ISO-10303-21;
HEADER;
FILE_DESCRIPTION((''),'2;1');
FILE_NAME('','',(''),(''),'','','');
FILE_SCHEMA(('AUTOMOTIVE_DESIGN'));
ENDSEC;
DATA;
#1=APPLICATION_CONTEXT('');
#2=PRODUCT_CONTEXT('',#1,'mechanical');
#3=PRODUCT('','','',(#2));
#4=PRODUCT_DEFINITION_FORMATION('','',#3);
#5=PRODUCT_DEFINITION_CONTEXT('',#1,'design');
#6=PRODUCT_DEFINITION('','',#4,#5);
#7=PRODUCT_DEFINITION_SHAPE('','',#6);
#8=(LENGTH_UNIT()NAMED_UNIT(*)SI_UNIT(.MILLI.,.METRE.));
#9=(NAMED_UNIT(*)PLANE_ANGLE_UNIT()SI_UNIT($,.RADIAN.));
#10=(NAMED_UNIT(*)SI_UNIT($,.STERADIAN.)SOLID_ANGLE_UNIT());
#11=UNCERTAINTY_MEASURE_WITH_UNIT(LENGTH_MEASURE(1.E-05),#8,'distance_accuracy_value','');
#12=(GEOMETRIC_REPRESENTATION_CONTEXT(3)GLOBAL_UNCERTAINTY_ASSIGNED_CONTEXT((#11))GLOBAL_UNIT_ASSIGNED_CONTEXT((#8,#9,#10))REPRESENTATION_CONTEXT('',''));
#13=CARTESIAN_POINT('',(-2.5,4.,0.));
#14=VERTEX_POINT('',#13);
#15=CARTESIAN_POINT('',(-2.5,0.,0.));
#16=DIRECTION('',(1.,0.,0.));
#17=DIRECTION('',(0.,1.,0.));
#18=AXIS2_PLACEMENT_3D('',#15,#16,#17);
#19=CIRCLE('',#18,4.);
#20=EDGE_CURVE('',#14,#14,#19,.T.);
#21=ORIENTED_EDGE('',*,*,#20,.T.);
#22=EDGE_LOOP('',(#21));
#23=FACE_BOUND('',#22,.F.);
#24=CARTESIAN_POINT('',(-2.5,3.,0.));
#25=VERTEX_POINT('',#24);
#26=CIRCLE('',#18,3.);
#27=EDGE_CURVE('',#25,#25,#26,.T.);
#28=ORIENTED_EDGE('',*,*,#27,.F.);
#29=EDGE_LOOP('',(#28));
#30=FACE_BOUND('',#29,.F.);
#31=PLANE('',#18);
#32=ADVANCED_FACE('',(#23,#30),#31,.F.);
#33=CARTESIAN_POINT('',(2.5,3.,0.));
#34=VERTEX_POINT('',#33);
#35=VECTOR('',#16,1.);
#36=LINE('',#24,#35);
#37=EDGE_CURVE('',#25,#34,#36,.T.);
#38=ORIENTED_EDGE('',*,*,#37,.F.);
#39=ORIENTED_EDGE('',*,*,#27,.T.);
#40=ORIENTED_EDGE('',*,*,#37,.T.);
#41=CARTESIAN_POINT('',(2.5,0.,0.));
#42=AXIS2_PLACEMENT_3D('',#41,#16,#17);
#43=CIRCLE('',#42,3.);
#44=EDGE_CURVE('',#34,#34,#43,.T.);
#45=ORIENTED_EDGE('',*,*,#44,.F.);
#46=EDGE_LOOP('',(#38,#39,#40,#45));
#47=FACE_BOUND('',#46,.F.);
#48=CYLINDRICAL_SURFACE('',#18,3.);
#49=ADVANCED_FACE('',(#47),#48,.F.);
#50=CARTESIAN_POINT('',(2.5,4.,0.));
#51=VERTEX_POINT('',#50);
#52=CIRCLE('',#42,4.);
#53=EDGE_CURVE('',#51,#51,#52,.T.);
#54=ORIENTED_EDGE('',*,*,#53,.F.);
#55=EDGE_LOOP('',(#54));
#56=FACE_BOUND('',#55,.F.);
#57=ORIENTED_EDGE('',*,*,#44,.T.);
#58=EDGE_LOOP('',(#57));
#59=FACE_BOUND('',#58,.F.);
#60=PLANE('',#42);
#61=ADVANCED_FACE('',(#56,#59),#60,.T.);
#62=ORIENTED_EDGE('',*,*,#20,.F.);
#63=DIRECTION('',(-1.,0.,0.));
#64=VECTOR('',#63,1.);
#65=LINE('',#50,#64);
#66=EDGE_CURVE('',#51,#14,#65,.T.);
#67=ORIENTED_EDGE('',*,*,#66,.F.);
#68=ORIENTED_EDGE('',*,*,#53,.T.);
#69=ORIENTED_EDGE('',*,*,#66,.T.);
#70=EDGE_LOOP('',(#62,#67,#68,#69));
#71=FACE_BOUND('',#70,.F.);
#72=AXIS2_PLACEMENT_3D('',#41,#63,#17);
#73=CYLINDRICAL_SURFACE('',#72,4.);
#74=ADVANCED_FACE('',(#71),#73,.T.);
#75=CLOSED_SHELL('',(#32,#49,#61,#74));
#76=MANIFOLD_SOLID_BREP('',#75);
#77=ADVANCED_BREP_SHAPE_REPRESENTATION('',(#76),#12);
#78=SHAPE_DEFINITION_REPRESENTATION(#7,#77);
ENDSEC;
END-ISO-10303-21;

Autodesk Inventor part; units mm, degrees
ref_plane "YZ Plane" through (0, 0, 0) normal (1, 0, 0) x (0, 1, 0)
ref_plane "XZ Plane" through (0, 0, 0) normal (0, 1, 0) x (-1, 0, 0)
ref_plane "XY Plane" through (0, 0, 0) normal (0, 0, 1) x (1, 0, 0)
sketch "_____1" plane through (0, 0, 0) normal (0, 0, 1) x (1, 0, 0)
  line L0 (2.5, 0) -> (-2.5, 0)
  line L1 (-2.5, 4) -> (-2.5, 3)
  line L2 (-2.5, 3) -> (2.5, 3)
  line L3 (2.5, 3) -> (2.5, 4)
  line L4 (2.5, 4) -> (-2.5, 4)
revolve "Revolution1" add sketch "_____1" angle 360 about axis through (2.5, 0, 0) along (1, 0, 0)
properties part number "PACK-WSJJ8-6-5"
